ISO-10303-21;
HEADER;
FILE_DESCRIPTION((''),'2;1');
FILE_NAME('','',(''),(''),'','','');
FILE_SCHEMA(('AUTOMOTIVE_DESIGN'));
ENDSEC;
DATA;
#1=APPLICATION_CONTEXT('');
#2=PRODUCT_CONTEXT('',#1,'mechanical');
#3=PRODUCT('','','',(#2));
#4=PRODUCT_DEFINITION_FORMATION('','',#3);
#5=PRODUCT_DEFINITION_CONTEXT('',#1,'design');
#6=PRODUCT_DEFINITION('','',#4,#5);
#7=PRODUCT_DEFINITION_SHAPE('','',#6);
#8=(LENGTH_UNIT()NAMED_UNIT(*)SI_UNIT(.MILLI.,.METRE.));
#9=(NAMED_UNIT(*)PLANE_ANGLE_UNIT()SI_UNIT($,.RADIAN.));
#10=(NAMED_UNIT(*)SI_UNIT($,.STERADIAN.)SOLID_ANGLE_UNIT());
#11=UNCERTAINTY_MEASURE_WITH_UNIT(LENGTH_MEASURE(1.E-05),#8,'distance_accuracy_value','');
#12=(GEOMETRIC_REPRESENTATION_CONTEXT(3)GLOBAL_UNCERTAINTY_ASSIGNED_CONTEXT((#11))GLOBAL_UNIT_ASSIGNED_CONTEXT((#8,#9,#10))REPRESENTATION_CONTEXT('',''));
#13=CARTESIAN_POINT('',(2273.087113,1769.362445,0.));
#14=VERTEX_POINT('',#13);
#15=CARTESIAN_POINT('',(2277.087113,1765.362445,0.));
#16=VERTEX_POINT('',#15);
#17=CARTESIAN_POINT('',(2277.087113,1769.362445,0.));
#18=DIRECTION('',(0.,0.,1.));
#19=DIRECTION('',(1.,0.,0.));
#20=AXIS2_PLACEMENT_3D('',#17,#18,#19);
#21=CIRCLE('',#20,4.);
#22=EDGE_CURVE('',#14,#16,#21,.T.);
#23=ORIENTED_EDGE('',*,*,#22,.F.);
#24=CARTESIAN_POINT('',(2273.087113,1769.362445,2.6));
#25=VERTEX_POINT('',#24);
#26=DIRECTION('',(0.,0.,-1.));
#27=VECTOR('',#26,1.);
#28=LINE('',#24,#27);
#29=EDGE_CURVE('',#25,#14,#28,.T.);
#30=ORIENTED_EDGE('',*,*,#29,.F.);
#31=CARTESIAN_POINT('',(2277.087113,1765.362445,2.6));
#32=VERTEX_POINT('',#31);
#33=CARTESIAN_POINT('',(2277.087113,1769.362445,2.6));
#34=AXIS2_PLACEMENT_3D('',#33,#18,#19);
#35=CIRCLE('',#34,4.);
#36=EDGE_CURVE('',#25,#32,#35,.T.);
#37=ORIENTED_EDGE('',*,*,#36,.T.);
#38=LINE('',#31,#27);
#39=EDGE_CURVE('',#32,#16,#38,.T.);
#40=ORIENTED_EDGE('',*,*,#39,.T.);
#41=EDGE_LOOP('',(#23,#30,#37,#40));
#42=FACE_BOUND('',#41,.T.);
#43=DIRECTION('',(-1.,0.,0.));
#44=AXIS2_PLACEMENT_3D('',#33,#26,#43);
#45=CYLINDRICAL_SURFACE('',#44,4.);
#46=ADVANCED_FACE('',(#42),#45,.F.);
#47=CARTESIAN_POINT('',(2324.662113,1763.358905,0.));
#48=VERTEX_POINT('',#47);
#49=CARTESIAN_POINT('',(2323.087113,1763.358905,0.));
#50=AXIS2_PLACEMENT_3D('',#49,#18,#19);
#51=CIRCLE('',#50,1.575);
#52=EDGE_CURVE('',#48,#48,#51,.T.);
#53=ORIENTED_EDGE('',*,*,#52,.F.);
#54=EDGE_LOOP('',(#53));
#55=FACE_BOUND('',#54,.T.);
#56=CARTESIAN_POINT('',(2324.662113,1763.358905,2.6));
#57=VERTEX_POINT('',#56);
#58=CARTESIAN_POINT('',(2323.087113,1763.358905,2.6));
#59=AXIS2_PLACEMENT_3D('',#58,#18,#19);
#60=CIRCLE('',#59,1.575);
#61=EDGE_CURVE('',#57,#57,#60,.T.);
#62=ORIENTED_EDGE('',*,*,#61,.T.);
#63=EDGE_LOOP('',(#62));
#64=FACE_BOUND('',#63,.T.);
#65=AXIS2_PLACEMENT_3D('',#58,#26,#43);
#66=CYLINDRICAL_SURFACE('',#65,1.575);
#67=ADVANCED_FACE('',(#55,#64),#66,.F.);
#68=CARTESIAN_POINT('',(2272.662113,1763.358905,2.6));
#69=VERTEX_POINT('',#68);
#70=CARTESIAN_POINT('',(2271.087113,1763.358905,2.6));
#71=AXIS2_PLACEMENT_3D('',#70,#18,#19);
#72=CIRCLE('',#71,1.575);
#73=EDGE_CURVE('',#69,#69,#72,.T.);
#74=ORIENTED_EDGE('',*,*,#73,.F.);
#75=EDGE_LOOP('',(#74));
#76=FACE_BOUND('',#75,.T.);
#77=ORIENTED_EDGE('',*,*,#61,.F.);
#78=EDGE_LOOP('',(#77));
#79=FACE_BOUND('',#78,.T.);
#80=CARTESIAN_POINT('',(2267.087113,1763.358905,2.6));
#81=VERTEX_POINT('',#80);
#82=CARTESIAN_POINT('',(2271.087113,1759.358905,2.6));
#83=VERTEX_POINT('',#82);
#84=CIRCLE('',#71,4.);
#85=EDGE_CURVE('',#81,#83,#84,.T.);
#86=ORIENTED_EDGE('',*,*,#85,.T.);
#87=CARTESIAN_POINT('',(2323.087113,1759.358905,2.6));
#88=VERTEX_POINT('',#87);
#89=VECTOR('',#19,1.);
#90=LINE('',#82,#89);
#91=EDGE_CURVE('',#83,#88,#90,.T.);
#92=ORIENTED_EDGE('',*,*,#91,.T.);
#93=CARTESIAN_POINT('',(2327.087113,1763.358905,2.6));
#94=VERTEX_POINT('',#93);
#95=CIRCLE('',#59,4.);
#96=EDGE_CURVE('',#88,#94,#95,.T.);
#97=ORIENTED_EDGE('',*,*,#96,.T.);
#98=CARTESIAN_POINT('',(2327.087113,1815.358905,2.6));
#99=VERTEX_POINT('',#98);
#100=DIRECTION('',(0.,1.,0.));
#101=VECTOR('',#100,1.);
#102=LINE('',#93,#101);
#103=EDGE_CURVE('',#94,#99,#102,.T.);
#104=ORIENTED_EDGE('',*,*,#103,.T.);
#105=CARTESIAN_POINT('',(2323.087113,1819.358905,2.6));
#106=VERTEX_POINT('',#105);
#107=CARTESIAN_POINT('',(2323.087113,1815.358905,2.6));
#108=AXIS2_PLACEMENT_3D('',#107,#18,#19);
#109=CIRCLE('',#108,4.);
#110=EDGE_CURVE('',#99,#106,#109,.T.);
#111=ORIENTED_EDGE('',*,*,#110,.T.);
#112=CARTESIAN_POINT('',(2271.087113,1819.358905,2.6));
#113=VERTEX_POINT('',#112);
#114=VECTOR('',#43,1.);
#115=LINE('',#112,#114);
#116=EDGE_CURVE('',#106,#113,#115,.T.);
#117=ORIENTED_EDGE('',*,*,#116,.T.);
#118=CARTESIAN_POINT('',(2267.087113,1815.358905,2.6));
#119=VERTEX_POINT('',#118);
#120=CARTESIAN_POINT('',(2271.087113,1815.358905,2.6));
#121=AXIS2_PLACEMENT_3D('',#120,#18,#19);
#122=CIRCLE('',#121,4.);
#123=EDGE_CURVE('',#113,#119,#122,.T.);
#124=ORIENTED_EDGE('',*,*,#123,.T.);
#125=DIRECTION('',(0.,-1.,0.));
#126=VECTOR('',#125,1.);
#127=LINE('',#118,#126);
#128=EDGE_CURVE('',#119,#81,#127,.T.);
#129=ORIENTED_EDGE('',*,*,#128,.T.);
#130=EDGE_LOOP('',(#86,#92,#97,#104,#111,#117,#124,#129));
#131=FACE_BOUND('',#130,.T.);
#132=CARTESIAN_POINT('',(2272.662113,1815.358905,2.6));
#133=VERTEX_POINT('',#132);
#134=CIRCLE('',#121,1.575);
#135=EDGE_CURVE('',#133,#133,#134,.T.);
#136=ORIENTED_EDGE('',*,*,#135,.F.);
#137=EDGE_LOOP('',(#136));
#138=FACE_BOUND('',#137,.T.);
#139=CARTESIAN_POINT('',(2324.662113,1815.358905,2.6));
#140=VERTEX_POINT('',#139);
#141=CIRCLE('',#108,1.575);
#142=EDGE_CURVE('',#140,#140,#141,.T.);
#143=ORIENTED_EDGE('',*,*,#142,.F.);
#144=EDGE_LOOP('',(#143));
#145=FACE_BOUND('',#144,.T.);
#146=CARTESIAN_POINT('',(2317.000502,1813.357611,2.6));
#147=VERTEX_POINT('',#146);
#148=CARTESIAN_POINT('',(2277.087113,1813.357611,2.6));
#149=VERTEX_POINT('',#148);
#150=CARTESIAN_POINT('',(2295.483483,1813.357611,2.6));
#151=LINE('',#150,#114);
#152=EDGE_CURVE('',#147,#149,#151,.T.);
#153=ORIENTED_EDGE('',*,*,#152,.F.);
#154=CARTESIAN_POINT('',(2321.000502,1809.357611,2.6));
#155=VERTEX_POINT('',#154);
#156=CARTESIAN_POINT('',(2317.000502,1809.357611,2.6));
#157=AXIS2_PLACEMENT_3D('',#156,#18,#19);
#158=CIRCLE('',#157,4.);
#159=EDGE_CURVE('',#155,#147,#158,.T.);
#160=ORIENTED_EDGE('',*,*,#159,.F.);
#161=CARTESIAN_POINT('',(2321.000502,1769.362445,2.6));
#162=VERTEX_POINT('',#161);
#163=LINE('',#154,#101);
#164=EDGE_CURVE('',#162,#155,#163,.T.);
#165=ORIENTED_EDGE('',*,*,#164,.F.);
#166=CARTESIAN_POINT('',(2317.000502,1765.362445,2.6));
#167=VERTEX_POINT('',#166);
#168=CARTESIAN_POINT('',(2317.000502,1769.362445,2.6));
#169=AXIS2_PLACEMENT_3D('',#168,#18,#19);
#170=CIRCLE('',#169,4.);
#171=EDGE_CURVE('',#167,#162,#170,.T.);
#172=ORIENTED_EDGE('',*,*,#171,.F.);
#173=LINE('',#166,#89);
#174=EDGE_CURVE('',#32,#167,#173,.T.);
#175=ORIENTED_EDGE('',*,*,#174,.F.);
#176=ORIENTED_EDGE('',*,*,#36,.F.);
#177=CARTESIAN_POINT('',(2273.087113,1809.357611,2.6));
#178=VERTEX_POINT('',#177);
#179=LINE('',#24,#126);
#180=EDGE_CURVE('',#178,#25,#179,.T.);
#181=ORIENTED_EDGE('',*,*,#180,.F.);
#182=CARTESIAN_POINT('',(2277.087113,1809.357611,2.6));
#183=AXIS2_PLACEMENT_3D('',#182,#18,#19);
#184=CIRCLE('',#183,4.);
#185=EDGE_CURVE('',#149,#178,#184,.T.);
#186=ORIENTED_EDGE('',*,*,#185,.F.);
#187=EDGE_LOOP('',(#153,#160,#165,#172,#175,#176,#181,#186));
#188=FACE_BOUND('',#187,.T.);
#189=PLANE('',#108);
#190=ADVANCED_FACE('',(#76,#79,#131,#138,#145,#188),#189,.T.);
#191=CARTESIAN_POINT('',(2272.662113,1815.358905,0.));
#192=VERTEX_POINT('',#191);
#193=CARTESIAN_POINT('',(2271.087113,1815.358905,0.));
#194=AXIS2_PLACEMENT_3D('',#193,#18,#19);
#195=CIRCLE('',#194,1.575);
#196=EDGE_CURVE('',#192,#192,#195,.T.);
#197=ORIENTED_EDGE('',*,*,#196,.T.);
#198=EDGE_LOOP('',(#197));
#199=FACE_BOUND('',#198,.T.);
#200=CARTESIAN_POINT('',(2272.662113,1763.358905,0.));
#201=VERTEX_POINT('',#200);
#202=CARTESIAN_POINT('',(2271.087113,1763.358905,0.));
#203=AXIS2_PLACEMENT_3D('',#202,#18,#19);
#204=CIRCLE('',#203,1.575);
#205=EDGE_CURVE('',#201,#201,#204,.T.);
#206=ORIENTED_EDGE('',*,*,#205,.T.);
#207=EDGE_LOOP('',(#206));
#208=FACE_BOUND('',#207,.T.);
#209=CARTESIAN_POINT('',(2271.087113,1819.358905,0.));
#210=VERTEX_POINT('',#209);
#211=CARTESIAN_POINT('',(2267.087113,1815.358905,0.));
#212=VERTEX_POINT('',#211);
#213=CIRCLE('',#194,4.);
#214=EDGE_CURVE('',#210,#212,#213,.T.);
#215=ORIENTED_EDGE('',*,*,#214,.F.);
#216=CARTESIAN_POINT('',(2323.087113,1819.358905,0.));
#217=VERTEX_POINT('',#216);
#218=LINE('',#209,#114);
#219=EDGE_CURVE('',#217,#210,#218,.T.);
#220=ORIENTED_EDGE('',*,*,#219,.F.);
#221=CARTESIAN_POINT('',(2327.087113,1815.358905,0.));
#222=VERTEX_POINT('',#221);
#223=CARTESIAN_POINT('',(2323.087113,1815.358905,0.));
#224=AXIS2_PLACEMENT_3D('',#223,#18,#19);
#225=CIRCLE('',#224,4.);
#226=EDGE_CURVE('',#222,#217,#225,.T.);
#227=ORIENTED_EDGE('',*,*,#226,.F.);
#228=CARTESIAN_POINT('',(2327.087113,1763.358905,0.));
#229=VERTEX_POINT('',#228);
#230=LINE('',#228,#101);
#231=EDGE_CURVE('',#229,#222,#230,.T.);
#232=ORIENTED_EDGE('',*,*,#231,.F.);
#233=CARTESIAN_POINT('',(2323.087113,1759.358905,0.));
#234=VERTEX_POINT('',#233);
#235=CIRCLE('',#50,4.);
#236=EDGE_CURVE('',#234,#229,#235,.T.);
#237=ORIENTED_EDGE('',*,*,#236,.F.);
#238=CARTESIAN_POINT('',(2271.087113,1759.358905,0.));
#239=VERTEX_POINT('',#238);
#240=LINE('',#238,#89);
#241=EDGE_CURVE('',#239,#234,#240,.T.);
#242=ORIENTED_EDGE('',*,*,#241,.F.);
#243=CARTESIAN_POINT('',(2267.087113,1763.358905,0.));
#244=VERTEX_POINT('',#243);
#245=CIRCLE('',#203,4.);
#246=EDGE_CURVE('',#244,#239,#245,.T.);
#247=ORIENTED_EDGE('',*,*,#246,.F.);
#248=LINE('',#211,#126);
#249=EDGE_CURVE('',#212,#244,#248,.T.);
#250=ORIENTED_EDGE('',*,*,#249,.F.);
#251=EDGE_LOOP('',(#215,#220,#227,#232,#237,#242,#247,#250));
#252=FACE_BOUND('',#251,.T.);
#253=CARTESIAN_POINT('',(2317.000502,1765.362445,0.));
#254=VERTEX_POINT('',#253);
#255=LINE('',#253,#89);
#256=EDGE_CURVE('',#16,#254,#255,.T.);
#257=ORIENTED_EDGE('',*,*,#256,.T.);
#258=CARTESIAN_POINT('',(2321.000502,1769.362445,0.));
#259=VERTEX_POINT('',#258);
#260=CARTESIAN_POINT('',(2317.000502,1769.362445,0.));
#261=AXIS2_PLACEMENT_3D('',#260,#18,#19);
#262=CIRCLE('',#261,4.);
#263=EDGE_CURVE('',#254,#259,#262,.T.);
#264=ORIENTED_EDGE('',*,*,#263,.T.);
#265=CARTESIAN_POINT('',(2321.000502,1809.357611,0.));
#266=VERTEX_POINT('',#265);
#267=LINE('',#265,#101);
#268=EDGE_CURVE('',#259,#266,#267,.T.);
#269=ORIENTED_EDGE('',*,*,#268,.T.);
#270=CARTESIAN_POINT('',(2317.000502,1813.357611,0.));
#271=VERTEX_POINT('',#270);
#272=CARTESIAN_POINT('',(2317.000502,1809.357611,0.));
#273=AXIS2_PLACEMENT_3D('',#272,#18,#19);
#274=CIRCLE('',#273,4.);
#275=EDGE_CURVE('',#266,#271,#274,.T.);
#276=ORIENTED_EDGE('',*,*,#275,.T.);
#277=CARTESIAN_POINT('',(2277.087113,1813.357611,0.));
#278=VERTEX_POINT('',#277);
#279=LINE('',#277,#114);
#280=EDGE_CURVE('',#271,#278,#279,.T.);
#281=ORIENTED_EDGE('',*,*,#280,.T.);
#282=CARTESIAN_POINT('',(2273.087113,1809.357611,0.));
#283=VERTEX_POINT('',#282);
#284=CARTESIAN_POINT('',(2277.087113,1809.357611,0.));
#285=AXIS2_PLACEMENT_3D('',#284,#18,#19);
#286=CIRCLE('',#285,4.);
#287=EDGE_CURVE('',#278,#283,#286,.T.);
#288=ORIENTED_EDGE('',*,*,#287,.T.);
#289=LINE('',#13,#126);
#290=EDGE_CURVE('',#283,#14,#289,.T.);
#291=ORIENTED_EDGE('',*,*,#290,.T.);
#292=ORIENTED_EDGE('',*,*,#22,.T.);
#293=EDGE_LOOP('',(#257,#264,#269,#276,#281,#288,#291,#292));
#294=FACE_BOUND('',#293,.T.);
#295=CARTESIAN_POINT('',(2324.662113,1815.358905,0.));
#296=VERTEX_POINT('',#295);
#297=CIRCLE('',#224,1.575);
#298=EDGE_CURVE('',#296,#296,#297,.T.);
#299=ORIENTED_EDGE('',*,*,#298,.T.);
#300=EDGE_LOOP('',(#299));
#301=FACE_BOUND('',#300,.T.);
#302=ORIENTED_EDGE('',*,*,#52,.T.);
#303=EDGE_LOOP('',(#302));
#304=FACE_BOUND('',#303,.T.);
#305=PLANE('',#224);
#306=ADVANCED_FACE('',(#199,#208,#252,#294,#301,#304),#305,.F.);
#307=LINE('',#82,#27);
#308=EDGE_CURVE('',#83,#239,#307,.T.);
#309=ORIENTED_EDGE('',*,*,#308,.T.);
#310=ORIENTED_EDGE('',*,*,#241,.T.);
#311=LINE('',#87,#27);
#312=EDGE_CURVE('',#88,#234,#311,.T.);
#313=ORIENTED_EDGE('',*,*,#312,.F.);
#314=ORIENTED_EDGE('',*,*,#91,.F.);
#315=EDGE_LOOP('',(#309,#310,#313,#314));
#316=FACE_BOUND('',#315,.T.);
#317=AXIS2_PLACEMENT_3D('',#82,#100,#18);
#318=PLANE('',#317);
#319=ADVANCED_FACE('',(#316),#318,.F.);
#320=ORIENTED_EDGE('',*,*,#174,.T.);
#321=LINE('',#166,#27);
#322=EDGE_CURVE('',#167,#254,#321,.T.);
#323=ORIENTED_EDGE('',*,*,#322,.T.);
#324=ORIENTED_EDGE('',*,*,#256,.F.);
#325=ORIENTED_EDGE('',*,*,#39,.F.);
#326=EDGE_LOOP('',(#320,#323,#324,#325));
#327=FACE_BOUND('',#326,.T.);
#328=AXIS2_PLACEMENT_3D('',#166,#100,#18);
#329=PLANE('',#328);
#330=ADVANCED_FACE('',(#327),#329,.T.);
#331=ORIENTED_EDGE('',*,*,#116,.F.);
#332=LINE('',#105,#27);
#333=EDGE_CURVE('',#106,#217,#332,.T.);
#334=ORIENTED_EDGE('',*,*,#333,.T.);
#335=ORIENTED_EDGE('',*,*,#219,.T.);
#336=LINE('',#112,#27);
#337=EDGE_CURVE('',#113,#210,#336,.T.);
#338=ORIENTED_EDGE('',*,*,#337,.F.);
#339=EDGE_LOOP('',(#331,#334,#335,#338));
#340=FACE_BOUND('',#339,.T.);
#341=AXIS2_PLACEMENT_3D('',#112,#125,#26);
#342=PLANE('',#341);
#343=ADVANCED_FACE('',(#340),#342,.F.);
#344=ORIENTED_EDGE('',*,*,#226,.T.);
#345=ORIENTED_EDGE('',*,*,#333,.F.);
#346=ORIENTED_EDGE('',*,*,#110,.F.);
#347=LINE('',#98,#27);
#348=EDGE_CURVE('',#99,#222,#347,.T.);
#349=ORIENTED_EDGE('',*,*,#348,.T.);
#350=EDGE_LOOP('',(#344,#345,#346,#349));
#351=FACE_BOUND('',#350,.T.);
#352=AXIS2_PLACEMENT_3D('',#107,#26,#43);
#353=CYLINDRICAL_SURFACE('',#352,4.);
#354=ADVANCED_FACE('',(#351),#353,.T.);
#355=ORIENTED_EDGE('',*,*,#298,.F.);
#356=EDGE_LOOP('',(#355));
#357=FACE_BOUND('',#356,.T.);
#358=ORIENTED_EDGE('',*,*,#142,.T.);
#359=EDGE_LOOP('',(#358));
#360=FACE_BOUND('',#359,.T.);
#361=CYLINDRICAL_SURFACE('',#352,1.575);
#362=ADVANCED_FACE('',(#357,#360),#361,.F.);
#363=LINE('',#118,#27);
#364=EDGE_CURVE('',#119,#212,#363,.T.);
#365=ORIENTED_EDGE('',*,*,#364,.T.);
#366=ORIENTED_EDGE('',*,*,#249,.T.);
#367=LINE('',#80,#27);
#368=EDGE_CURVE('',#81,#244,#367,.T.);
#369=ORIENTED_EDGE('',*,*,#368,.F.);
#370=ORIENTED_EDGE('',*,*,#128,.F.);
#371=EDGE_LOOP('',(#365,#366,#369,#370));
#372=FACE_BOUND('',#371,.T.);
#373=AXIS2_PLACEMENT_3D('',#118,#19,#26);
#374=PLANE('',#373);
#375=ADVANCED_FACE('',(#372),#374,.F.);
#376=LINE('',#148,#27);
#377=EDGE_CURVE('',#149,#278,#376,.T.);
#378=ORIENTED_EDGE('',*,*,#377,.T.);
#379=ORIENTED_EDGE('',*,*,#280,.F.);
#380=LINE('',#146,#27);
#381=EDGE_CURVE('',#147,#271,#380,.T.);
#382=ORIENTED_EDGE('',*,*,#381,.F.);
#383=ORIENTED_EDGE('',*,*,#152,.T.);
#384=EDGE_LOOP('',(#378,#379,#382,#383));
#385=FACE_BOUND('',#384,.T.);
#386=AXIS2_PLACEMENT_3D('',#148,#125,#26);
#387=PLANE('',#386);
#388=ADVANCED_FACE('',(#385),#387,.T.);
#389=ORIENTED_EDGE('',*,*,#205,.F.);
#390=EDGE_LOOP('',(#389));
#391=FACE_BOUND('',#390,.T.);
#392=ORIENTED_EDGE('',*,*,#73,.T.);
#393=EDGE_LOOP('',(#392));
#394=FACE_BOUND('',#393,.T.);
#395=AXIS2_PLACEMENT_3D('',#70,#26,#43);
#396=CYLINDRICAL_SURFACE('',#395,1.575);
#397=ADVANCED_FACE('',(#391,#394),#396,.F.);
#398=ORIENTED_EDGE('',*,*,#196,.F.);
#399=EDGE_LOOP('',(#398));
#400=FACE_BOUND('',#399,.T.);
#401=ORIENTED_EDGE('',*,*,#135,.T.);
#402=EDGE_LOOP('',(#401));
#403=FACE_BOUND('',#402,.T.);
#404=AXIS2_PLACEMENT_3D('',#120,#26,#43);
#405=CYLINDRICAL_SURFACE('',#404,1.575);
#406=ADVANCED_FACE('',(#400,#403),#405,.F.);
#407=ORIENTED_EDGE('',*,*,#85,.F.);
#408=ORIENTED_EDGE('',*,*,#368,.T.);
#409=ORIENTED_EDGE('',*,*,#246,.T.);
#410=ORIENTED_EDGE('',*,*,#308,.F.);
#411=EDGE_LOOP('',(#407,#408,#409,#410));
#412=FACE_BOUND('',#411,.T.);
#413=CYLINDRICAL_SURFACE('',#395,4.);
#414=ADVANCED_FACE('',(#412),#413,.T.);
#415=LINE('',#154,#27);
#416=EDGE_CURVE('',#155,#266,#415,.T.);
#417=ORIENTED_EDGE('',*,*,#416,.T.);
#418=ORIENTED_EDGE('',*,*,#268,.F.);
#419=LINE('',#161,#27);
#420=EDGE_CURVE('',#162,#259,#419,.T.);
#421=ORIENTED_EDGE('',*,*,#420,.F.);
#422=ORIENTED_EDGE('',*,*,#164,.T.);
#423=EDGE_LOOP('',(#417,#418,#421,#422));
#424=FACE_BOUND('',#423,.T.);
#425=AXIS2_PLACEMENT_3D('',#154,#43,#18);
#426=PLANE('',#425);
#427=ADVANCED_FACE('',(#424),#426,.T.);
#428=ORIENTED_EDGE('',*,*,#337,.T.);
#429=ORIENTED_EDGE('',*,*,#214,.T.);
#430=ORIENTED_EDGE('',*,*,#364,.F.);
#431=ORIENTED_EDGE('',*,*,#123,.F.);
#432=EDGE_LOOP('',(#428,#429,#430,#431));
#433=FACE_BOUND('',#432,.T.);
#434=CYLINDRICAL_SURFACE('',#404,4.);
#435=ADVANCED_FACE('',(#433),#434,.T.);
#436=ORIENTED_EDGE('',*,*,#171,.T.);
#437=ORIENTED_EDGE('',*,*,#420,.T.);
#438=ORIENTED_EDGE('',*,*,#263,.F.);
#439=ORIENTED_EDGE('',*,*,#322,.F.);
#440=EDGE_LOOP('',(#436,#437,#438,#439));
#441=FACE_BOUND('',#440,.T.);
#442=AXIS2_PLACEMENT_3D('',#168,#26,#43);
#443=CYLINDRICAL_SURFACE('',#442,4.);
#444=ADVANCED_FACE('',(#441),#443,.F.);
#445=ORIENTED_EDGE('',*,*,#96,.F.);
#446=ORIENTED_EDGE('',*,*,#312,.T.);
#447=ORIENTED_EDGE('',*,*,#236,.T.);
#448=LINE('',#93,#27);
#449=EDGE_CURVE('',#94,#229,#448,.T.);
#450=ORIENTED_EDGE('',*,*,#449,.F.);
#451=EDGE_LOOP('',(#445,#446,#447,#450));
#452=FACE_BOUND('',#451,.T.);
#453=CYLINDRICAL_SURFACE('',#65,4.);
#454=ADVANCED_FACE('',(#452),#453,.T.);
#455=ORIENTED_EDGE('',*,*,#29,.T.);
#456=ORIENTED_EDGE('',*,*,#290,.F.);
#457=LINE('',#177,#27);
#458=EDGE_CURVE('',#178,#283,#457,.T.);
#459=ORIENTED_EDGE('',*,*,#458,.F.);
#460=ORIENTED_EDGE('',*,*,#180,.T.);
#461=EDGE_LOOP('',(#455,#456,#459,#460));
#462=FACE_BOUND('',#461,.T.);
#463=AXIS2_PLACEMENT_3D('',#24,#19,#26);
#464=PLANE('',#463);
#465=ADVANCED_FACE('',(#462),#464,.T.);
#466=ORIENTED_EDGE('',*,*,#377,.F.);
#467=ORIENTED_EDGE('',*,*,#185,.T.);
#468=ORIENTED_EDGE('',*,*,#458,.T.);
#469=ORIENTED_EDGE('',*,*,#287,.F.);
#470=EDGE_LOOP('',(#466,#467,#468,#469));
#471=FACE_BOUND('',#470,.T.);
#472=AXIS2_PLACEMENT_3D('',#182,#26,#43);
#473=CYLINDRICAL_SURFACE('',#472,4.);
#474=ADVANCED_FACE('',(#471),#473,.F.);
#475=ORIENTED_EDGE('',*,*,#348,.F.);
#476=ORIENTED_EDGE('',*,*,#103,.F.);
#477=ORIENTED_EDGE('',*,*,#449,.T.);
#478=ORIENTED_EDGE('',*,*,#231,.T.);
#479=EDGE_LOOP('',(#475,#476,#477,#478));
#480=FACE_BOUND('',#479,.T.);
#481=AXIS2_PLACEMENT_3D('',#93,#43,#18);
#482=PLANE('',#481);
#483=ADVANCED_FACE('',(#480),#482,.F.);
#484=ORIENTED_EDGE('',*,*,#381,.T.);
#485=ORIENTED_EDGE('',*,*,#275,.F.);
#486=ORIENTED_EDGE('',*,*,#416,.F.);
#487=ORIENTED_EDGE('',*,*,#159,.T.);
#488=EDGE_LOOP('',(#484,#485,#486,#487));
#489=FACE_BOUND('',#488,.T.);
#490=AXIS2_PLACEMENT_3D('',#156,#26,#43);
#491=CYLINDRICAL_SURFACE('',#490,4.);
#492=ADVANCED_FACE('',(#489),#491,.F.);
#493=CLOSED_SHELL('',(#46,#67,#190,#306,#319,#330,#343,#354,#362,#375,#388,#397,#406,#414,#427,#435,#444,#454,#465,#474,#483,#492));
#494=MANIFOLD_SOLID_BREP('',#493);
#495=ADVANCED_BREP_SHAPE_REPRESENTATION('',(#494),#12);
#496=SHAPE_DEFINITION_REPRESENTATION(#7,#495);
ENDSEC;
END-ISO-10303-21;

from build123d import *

# Parameters (mm, degrees)
MODEL_R         = 1.575
EXTRUDE_1_DEPTH = 2.6


with BuildPart() as part:
    # Model → 凸台-拉伸1 (new body)
    with BuildSketch(Plane.XY):
        with BuildLine():
            Line((2267.087112804, 1815.358905475), (2267.087112804, 1763.358905475))
            ThreePointArc((2267.087112804, 1763.358905475), (2268.25868568, 1760.53047835), (2271.087112804, 1759.358905475))
            Line((2271.087112804, 1759.358905475), (2323.087112804, 1759.358905475))
            ThreePointArc((2323.087112804, 1759.358905475), (2325.915539929, 1760.53047835), (2327.087112804, 1763.358905475))
            Line((2327.087112804, 1763.358905475), (2327.087112804, 1815.358905475))
            ThreePointArc((2327.087112804, 1815.358905475), (2325.915539929, 1818.187332599), (2323.087112804, 1819.358905475))
            Line((2323.087112804, 1819.358905475), (2271.087112804, 1819.358905475))
            ThreePointArc((2271.087112804, 1819.358905475), (2268.25868568, 1818.187332599), (2267.087112804, 1815.358905475))
        make_face()
        with Locations((2271.087112804, 1763.358905475)):
            Circle(MODEL_R, mode=Mode.SUBTRACT)
        with Locations((2323.087112804, 1763.358905475)):
            Circle(MODEL_R, mode=Mode.SUBTRACT)
        with Locations((2271.087112804, 1815.358905475)):
            Circle(MODEL_R, mode=Mode.SUBTRACT)
        with Locations((2323.087112804, 1815.358905475)):
            Circle(MODEL_R, mode=Mode.SUBTRACT)
        with BuildLine():
            Line((2295.483483019, 1813.357611428), (2317.000502455, 1813.357611428))
            ThreePointArc((2317.000502455, 1813.357611428), (2319.828929579, 1812.186038553), (2321.000502455, 1809.357611428))
            Line((2321.000502455, 1809.357611428), (2321.000502455, 1769.362445027))
            ThreePointArc((2321.000502455, 1769.362445027), (2319.828929579, 1766.534017903), (2317.000502455, 1765.362445027))
            Line((2317.000502455, 1765.362445027), (2277.087112804, 1765.362445027))
            ThreePointArc((2277.087112804, 1765.362445027), (2274.25868568, 1766.534017903), (2273.087112804, 1769.362445027))
            Line((2273.087112804, 1769.362445027), (2273.087112804, 1809.357611428))
            ThreePointArc((2273.087112804, 1809.357611428), (2274.25868568, 1812.186038553), (2277.087112804, 1813.357611428))
            Line((2277.087112804, 1813.357611428), (2295.483483019, 1813.357611428))
        make_face(mode=Mode.SUBTRACT)
    extrude(amount=EXTRUDE_1_DEPTH)


solid = part.part
